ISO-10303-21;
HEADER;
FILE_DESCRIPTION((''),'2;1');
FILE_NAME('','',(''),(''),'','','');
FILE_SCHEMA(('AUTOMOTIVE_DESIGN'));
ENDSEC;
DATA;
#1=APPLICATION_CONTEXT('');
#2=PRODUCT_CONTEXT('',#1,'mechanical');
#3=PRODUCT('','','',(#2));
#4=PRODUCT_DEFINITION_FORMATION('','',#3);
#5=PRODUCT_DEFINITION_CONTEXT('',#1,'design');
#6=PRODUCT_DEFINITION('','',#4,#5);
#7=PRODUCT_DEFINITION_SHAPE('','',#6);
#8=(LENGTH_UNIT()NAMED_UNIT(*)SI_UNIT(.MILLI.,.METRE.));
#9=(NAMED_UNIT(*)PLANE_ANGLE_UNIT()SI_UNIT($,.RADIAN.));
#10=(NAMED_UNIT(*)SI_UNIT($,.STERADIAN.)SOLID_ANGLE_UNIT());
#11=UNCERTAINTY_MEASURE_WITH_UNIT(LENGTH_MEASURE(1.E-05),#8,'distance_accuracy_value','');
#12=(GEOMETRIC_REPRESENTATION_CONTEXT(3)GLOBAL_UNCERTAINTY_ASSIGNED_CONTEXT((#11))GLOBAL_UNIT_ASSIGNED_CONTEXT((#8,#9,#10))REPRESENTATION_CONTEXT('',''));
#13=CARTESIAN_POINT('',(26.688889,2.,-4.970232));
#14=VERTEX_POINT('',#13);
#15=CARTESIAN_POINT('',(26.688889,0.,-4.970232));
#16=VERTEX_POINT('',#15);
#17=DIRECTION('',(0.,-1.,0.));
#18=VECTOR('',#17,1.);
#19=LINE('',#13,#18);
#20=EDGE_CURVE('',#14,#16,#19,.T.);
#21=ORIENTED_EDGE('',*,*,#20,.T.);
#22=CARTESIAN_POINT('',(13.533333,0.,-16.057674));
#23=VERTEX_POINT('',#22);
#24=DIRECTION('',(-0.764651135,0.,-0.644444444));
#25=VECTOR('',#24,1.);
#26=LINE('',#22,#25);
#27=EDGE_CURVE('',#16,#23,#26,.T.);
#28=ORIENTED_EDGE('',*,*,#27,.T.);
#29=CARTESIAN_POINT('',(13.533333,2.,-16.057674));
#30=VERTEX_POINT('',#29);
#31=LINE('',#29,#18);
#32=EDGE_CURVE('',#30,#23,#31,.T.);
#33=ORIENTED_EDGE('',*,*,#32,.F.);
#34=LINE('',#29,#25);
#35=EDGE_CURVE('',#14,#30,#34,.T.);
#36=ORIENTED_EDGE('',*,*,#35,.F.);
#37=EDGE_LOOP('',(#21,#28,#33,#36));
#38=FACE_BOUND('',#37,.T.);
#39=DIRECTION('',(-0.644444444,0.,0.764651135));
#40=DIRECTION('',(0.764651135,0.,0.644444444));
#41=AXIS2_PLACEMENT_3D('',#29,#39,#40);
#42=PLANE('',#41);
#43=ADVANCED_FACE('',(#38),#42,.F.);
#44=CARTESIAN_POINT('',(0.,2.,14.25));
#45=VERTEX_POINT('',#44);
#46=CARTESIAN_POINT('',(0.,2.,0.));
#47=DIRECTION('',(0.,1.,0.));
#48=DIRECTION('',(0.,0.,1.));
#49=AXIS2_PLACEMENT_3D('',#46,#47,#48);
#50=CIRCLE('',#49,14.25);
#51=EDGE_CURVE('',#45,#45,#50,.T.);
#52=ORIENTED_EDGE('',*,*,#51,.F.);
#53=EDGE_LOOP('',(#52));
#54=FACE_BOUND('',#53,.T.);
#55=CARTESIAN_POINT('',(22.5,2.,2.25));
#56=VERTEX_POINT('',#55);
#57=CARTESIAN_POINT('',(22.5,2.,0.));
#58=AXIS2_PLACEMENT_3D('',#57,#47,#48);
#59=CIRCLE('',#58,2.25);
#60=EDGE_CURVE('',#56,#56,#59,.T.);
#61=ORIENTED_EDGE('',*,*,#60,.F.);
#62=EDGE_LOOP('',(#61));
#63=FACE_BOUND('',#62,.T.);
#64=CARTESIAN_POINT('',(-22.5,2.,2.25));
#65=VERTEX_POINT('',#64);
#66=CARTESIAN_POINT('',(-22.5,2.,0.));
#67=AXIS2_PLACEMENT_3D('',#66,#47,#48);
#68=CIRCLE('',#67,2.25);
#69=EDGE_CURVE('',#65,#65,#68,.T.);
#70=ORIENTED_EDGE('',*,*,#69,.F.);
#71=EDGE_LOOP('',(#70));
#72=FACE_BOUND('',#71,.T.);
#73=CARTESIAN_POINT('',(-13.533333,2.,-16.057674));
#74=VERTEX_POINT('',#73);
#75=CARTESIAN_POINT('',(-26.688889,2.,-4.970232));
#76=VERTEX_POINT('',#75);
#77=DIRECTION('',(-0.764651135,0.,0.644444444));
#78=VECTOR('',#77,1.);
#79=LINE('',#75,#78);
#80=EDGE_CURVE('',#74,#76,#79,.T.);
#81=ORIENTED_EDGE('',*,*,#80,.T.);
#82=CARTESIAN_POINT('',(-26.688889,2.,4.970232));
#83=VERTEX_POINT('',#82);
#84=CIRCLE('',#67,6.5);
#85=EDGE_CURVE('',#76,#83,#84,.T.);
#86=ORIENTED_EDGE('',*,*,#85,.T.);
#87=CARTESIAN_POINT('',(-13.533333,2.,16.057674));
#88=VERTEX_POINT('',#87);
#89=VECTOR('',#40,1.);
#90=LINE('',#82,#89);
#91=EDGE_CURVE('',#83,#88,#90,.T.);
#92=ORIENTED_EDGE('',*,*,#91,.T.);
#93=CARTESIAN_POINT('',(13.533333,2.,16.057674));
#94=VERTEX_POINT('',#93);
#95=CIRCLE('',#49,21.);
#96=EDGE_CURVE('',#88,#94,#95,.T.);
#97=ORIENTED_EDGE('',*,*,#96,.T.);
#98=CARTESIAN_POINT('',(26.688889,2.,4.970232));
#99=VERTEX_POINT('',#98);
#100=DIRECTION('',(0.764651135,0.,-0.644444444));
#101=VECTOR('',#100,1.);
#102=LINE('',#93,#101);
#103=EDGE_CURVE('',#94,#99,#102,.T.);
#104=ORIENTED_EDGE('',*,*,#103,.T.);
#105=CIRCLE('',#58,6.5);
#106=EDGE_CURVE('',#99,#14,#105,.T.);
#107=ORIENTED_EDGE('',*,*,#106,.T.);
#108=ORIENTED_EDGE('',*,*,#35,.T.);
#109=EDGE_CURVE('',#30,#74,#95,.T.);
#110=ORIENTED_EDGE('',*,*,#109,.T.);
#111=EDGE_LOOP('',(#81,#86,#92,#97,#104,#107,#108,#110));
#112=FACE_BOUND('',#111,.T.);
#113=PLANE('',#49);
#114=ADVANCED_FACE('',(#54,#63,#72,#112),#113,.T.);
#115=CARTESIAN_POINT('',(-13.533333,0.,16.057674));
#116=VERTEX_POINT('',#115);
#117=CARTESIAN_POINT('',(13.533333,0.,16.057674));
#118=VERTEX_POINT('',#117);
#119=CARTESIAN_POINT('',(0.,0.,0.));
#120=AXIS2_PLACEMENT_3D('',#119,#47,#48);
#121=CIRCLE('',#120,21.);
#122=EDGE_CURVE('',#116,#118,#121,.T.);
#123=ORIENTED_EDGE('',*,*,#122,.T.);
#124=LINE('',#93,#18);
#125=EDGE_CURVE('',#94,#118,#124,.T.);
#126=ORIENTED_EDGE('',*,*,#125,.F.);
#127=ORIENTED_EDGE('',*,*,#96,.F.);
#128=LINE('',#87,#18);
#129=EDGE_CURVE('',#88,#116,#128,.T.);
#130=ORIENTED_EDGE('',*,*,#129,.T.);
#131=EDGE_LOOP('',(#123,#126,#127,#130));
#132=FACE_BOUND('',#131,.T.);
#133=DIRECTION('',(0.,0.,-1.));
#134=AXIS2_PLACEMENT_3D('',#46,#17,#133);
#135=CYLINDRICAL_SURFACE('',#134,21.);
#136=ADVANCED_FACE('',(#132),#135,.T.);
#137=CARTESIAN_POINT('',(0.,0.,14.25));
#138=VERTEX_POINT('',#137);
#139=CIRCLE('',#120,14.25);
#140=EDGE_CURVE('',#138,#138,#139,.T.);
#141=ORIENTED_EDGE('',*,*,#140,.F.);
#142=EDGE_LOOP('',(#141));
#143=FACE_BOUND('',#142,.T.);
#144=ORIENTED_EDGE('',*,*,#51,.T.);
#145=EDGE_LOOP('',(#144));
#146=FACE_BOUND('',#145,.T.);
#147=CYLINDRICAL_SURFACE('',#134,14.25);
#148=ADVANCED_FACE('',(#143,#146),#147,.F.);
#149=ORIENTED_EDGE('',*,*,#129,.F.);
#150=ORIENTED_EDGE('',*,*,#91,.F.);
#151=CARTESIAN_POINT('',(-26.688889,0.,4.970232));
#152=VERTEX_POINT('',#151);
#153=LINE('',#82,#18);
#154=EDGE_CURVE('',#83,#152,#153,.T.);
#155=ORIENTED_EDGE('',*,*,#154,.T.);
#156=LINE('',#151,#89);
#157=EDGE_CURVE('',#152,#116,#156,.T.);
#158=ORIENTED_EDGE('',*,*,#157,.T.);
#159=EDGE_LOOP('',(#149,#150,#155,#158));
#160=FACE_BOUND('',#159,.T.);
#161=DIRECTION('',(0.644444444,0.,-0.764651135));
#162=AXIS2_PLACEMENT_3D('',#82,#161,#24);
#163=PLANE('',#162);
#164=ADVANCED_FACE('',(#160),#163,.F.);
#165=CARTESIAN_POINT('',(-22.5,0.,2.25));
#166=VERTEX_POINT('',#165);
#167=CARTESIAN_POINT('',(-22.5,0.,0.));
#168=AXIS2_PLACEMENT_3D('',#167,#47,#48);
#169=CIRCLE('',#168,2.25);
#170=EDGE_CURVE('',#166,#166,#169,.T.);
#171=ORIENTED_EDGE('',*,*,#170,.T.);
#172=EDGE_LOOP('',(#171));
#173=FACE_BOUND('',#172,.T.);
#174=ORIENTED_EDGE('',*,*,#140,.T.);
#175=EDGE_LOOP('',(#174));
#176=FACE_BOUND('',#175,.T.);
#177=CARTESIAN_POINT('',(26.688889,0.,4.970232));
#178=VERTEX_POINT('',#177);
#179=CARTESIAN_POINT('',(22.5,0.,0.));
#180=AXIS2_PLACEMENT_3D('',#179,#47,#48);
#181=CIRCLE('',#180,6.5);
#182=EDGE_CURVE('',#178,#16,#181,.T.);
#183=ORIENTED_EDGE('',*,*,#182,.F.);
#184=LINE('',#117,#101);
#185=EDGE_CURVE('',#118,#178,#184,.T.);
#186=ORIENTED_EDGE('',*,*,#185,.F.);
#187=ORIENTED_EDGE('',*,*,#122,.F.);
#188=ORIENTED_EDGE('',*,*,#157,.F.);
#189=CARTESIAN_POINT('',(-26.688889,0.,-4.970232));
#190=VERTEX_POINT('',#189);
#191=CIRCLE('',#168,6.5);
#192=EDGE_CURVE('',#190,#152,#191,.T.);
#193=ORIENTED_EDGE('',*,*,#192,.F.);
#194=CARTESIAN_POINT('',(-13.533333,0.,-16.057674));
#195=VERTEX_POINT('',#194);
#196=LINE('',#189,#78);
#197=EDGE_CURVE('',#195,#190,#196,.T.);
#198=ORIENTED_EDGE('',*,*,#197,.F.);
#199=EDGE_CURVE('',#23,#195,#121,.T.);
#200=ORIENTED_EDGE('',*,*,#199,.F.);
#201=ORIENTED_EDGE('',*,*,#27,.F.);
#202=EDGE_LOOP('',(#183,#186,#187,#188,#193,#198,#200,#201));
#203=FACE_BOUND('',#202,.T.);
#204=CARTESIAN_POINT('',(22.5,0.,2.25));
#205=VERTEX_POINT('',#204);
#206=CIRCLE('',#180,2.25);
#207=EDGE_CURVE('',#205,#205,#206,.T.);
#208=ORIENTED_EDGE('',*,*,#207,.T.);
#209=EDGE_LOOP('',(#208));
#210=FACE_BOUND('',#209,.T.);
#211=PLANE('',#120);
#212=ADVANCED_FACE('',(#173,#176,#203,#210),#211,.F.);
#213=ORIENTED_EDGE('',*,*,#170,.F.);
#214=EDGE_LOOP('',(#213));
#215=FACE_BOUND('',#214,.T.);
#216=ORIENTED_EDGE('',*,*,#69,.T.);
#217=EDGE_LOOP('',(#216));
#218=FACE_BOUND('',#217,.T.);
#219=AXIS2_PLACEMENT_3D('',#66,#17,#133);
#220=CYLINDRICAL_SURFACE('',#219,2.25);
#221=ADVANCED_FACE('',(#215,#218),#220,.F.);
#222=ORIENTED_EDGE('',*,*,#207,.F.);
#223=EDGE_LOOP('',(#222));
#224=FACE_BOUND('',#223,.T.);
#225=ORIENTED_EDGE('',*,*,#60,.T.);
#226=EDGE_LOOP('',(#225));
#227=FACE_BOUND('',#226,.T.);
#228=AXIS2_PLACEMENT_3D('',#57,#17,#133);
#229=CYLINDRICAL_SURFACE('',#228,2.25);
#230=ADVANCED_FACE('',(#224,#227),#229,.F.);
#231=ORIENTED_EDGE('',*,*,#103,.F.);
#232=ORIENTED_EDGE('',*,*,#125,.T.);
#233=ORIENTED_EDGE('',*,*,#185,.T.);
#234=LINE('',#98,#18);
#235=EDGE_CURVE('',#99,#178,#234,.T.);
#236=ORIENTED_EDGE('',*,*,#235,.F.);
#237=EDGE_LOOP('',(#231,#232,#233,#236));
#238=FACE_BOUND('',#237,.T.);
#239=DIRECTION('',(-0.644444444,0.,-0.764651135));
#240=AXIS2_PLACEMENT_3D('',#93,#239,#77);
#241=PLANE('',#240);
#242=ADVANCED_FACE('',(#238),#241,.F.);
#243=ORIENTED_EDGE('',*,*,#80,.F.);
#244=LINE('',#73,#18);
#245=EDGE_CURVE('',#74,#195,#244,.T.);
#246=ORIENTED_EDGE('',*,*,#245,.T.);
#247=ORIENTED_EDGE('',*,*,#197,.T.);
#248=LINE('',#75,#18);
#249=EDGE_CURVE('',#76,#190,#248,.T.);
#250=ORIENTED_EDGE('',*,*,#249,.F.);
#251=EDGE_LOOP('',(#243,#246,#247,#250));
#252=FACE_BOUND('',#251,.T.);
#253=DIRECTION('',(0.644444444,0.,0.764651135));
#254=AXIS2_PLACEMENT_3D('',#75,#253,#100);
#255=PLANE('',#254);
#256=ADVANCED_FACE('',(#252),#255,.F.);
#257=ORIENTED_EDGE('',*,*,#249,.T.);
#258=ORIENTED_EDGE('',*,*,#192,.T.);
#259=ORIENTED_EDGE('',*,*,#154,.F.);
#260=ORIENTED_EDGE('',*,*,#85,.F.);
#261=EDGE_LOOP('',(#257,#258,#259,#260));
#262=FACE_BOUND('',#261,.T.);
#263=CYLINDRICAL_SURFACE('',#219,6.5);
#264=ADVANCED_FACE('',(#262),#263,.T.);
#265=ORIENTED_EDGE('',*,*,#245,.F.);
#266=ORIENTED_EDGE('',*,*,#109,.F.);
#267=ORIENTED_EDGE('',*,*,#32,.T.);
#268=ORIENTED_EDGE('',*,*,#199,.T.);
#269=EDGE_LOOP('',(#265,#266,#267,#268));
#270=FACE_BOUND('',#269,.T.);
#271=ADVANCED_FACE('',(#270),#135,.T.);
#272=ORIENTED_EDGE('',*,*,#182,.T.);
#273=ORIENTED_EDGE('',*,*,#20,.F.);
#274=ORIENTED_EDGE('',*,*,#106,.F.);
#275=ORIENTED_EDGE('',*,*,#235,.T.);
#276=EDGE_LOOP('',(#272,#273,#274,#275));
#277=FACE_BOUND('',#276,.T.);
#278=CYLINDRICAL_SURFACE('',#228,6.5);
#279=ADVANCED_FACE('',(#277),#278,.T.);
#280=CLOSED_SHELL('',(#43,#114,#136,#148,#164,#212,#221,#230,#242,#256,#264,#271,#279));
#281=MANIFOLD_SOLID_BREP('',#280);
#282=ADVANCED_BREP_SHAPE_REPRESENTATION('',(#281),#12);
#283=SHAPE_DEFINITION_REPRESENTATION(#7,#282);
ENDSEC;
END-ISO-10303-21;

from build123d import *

# Parameters (mm, degrees)
ESQUISSE1_R      = 14.25
ESQUISSE1_R_2    = 2.25
EXTRUSION1_DEPTH = 2


with BuildPart() as part:
    # Esquisse1 → Extrusion1 (new body)
    with BuildSketch(Plane(origin=(0, 0, 0), x_dir=(1, 0, 0), z_dir=(0, 1, 0))):
        with BuildLine():
            Line((13.533333333, 16.057673832), (26.688888889, 4.970232377))
            ThreePointArc((26.688888889, 4.970232377), (29, 0), (26.688888889, -4.970232377))
            Line((26.688888889, -4.970232377), (13.533333333, -16.057673832))
            ThreePointArc((13.533333333, -16.057673832), (0, -21), (-13.533333333, -16.057673832))
            Line((-13.533333333, -16.057673832), (-26.688888889, -4.970232377))
            ThreePointArc((-26.688888889, -4.970232377), (-29, 0), (-26.688888889, 4.970232377))
            Line((-26.688888889, 4.970232377), (-13.533333333, 16.057673832))
            ThreePointArc((-13.533333333, 16.057673832), (0, 21), (13.533333333, 16.057673832))
        make_face()
        Circle(ESQUISSE1_R, mode=Mode.SUBTRACT)
        with Locations((22.5, 0)):
            Circle(ESQUISSE1_R_2, mode=Mode.SUBTRACT)
        with Locations((-22.5, 0)):
            Circle(ESQUISSE1_R_2, mode=Mode.SUBTRACT)
    extrude(amount=EXTRUSION1_DEPTH)


solid = part.part
